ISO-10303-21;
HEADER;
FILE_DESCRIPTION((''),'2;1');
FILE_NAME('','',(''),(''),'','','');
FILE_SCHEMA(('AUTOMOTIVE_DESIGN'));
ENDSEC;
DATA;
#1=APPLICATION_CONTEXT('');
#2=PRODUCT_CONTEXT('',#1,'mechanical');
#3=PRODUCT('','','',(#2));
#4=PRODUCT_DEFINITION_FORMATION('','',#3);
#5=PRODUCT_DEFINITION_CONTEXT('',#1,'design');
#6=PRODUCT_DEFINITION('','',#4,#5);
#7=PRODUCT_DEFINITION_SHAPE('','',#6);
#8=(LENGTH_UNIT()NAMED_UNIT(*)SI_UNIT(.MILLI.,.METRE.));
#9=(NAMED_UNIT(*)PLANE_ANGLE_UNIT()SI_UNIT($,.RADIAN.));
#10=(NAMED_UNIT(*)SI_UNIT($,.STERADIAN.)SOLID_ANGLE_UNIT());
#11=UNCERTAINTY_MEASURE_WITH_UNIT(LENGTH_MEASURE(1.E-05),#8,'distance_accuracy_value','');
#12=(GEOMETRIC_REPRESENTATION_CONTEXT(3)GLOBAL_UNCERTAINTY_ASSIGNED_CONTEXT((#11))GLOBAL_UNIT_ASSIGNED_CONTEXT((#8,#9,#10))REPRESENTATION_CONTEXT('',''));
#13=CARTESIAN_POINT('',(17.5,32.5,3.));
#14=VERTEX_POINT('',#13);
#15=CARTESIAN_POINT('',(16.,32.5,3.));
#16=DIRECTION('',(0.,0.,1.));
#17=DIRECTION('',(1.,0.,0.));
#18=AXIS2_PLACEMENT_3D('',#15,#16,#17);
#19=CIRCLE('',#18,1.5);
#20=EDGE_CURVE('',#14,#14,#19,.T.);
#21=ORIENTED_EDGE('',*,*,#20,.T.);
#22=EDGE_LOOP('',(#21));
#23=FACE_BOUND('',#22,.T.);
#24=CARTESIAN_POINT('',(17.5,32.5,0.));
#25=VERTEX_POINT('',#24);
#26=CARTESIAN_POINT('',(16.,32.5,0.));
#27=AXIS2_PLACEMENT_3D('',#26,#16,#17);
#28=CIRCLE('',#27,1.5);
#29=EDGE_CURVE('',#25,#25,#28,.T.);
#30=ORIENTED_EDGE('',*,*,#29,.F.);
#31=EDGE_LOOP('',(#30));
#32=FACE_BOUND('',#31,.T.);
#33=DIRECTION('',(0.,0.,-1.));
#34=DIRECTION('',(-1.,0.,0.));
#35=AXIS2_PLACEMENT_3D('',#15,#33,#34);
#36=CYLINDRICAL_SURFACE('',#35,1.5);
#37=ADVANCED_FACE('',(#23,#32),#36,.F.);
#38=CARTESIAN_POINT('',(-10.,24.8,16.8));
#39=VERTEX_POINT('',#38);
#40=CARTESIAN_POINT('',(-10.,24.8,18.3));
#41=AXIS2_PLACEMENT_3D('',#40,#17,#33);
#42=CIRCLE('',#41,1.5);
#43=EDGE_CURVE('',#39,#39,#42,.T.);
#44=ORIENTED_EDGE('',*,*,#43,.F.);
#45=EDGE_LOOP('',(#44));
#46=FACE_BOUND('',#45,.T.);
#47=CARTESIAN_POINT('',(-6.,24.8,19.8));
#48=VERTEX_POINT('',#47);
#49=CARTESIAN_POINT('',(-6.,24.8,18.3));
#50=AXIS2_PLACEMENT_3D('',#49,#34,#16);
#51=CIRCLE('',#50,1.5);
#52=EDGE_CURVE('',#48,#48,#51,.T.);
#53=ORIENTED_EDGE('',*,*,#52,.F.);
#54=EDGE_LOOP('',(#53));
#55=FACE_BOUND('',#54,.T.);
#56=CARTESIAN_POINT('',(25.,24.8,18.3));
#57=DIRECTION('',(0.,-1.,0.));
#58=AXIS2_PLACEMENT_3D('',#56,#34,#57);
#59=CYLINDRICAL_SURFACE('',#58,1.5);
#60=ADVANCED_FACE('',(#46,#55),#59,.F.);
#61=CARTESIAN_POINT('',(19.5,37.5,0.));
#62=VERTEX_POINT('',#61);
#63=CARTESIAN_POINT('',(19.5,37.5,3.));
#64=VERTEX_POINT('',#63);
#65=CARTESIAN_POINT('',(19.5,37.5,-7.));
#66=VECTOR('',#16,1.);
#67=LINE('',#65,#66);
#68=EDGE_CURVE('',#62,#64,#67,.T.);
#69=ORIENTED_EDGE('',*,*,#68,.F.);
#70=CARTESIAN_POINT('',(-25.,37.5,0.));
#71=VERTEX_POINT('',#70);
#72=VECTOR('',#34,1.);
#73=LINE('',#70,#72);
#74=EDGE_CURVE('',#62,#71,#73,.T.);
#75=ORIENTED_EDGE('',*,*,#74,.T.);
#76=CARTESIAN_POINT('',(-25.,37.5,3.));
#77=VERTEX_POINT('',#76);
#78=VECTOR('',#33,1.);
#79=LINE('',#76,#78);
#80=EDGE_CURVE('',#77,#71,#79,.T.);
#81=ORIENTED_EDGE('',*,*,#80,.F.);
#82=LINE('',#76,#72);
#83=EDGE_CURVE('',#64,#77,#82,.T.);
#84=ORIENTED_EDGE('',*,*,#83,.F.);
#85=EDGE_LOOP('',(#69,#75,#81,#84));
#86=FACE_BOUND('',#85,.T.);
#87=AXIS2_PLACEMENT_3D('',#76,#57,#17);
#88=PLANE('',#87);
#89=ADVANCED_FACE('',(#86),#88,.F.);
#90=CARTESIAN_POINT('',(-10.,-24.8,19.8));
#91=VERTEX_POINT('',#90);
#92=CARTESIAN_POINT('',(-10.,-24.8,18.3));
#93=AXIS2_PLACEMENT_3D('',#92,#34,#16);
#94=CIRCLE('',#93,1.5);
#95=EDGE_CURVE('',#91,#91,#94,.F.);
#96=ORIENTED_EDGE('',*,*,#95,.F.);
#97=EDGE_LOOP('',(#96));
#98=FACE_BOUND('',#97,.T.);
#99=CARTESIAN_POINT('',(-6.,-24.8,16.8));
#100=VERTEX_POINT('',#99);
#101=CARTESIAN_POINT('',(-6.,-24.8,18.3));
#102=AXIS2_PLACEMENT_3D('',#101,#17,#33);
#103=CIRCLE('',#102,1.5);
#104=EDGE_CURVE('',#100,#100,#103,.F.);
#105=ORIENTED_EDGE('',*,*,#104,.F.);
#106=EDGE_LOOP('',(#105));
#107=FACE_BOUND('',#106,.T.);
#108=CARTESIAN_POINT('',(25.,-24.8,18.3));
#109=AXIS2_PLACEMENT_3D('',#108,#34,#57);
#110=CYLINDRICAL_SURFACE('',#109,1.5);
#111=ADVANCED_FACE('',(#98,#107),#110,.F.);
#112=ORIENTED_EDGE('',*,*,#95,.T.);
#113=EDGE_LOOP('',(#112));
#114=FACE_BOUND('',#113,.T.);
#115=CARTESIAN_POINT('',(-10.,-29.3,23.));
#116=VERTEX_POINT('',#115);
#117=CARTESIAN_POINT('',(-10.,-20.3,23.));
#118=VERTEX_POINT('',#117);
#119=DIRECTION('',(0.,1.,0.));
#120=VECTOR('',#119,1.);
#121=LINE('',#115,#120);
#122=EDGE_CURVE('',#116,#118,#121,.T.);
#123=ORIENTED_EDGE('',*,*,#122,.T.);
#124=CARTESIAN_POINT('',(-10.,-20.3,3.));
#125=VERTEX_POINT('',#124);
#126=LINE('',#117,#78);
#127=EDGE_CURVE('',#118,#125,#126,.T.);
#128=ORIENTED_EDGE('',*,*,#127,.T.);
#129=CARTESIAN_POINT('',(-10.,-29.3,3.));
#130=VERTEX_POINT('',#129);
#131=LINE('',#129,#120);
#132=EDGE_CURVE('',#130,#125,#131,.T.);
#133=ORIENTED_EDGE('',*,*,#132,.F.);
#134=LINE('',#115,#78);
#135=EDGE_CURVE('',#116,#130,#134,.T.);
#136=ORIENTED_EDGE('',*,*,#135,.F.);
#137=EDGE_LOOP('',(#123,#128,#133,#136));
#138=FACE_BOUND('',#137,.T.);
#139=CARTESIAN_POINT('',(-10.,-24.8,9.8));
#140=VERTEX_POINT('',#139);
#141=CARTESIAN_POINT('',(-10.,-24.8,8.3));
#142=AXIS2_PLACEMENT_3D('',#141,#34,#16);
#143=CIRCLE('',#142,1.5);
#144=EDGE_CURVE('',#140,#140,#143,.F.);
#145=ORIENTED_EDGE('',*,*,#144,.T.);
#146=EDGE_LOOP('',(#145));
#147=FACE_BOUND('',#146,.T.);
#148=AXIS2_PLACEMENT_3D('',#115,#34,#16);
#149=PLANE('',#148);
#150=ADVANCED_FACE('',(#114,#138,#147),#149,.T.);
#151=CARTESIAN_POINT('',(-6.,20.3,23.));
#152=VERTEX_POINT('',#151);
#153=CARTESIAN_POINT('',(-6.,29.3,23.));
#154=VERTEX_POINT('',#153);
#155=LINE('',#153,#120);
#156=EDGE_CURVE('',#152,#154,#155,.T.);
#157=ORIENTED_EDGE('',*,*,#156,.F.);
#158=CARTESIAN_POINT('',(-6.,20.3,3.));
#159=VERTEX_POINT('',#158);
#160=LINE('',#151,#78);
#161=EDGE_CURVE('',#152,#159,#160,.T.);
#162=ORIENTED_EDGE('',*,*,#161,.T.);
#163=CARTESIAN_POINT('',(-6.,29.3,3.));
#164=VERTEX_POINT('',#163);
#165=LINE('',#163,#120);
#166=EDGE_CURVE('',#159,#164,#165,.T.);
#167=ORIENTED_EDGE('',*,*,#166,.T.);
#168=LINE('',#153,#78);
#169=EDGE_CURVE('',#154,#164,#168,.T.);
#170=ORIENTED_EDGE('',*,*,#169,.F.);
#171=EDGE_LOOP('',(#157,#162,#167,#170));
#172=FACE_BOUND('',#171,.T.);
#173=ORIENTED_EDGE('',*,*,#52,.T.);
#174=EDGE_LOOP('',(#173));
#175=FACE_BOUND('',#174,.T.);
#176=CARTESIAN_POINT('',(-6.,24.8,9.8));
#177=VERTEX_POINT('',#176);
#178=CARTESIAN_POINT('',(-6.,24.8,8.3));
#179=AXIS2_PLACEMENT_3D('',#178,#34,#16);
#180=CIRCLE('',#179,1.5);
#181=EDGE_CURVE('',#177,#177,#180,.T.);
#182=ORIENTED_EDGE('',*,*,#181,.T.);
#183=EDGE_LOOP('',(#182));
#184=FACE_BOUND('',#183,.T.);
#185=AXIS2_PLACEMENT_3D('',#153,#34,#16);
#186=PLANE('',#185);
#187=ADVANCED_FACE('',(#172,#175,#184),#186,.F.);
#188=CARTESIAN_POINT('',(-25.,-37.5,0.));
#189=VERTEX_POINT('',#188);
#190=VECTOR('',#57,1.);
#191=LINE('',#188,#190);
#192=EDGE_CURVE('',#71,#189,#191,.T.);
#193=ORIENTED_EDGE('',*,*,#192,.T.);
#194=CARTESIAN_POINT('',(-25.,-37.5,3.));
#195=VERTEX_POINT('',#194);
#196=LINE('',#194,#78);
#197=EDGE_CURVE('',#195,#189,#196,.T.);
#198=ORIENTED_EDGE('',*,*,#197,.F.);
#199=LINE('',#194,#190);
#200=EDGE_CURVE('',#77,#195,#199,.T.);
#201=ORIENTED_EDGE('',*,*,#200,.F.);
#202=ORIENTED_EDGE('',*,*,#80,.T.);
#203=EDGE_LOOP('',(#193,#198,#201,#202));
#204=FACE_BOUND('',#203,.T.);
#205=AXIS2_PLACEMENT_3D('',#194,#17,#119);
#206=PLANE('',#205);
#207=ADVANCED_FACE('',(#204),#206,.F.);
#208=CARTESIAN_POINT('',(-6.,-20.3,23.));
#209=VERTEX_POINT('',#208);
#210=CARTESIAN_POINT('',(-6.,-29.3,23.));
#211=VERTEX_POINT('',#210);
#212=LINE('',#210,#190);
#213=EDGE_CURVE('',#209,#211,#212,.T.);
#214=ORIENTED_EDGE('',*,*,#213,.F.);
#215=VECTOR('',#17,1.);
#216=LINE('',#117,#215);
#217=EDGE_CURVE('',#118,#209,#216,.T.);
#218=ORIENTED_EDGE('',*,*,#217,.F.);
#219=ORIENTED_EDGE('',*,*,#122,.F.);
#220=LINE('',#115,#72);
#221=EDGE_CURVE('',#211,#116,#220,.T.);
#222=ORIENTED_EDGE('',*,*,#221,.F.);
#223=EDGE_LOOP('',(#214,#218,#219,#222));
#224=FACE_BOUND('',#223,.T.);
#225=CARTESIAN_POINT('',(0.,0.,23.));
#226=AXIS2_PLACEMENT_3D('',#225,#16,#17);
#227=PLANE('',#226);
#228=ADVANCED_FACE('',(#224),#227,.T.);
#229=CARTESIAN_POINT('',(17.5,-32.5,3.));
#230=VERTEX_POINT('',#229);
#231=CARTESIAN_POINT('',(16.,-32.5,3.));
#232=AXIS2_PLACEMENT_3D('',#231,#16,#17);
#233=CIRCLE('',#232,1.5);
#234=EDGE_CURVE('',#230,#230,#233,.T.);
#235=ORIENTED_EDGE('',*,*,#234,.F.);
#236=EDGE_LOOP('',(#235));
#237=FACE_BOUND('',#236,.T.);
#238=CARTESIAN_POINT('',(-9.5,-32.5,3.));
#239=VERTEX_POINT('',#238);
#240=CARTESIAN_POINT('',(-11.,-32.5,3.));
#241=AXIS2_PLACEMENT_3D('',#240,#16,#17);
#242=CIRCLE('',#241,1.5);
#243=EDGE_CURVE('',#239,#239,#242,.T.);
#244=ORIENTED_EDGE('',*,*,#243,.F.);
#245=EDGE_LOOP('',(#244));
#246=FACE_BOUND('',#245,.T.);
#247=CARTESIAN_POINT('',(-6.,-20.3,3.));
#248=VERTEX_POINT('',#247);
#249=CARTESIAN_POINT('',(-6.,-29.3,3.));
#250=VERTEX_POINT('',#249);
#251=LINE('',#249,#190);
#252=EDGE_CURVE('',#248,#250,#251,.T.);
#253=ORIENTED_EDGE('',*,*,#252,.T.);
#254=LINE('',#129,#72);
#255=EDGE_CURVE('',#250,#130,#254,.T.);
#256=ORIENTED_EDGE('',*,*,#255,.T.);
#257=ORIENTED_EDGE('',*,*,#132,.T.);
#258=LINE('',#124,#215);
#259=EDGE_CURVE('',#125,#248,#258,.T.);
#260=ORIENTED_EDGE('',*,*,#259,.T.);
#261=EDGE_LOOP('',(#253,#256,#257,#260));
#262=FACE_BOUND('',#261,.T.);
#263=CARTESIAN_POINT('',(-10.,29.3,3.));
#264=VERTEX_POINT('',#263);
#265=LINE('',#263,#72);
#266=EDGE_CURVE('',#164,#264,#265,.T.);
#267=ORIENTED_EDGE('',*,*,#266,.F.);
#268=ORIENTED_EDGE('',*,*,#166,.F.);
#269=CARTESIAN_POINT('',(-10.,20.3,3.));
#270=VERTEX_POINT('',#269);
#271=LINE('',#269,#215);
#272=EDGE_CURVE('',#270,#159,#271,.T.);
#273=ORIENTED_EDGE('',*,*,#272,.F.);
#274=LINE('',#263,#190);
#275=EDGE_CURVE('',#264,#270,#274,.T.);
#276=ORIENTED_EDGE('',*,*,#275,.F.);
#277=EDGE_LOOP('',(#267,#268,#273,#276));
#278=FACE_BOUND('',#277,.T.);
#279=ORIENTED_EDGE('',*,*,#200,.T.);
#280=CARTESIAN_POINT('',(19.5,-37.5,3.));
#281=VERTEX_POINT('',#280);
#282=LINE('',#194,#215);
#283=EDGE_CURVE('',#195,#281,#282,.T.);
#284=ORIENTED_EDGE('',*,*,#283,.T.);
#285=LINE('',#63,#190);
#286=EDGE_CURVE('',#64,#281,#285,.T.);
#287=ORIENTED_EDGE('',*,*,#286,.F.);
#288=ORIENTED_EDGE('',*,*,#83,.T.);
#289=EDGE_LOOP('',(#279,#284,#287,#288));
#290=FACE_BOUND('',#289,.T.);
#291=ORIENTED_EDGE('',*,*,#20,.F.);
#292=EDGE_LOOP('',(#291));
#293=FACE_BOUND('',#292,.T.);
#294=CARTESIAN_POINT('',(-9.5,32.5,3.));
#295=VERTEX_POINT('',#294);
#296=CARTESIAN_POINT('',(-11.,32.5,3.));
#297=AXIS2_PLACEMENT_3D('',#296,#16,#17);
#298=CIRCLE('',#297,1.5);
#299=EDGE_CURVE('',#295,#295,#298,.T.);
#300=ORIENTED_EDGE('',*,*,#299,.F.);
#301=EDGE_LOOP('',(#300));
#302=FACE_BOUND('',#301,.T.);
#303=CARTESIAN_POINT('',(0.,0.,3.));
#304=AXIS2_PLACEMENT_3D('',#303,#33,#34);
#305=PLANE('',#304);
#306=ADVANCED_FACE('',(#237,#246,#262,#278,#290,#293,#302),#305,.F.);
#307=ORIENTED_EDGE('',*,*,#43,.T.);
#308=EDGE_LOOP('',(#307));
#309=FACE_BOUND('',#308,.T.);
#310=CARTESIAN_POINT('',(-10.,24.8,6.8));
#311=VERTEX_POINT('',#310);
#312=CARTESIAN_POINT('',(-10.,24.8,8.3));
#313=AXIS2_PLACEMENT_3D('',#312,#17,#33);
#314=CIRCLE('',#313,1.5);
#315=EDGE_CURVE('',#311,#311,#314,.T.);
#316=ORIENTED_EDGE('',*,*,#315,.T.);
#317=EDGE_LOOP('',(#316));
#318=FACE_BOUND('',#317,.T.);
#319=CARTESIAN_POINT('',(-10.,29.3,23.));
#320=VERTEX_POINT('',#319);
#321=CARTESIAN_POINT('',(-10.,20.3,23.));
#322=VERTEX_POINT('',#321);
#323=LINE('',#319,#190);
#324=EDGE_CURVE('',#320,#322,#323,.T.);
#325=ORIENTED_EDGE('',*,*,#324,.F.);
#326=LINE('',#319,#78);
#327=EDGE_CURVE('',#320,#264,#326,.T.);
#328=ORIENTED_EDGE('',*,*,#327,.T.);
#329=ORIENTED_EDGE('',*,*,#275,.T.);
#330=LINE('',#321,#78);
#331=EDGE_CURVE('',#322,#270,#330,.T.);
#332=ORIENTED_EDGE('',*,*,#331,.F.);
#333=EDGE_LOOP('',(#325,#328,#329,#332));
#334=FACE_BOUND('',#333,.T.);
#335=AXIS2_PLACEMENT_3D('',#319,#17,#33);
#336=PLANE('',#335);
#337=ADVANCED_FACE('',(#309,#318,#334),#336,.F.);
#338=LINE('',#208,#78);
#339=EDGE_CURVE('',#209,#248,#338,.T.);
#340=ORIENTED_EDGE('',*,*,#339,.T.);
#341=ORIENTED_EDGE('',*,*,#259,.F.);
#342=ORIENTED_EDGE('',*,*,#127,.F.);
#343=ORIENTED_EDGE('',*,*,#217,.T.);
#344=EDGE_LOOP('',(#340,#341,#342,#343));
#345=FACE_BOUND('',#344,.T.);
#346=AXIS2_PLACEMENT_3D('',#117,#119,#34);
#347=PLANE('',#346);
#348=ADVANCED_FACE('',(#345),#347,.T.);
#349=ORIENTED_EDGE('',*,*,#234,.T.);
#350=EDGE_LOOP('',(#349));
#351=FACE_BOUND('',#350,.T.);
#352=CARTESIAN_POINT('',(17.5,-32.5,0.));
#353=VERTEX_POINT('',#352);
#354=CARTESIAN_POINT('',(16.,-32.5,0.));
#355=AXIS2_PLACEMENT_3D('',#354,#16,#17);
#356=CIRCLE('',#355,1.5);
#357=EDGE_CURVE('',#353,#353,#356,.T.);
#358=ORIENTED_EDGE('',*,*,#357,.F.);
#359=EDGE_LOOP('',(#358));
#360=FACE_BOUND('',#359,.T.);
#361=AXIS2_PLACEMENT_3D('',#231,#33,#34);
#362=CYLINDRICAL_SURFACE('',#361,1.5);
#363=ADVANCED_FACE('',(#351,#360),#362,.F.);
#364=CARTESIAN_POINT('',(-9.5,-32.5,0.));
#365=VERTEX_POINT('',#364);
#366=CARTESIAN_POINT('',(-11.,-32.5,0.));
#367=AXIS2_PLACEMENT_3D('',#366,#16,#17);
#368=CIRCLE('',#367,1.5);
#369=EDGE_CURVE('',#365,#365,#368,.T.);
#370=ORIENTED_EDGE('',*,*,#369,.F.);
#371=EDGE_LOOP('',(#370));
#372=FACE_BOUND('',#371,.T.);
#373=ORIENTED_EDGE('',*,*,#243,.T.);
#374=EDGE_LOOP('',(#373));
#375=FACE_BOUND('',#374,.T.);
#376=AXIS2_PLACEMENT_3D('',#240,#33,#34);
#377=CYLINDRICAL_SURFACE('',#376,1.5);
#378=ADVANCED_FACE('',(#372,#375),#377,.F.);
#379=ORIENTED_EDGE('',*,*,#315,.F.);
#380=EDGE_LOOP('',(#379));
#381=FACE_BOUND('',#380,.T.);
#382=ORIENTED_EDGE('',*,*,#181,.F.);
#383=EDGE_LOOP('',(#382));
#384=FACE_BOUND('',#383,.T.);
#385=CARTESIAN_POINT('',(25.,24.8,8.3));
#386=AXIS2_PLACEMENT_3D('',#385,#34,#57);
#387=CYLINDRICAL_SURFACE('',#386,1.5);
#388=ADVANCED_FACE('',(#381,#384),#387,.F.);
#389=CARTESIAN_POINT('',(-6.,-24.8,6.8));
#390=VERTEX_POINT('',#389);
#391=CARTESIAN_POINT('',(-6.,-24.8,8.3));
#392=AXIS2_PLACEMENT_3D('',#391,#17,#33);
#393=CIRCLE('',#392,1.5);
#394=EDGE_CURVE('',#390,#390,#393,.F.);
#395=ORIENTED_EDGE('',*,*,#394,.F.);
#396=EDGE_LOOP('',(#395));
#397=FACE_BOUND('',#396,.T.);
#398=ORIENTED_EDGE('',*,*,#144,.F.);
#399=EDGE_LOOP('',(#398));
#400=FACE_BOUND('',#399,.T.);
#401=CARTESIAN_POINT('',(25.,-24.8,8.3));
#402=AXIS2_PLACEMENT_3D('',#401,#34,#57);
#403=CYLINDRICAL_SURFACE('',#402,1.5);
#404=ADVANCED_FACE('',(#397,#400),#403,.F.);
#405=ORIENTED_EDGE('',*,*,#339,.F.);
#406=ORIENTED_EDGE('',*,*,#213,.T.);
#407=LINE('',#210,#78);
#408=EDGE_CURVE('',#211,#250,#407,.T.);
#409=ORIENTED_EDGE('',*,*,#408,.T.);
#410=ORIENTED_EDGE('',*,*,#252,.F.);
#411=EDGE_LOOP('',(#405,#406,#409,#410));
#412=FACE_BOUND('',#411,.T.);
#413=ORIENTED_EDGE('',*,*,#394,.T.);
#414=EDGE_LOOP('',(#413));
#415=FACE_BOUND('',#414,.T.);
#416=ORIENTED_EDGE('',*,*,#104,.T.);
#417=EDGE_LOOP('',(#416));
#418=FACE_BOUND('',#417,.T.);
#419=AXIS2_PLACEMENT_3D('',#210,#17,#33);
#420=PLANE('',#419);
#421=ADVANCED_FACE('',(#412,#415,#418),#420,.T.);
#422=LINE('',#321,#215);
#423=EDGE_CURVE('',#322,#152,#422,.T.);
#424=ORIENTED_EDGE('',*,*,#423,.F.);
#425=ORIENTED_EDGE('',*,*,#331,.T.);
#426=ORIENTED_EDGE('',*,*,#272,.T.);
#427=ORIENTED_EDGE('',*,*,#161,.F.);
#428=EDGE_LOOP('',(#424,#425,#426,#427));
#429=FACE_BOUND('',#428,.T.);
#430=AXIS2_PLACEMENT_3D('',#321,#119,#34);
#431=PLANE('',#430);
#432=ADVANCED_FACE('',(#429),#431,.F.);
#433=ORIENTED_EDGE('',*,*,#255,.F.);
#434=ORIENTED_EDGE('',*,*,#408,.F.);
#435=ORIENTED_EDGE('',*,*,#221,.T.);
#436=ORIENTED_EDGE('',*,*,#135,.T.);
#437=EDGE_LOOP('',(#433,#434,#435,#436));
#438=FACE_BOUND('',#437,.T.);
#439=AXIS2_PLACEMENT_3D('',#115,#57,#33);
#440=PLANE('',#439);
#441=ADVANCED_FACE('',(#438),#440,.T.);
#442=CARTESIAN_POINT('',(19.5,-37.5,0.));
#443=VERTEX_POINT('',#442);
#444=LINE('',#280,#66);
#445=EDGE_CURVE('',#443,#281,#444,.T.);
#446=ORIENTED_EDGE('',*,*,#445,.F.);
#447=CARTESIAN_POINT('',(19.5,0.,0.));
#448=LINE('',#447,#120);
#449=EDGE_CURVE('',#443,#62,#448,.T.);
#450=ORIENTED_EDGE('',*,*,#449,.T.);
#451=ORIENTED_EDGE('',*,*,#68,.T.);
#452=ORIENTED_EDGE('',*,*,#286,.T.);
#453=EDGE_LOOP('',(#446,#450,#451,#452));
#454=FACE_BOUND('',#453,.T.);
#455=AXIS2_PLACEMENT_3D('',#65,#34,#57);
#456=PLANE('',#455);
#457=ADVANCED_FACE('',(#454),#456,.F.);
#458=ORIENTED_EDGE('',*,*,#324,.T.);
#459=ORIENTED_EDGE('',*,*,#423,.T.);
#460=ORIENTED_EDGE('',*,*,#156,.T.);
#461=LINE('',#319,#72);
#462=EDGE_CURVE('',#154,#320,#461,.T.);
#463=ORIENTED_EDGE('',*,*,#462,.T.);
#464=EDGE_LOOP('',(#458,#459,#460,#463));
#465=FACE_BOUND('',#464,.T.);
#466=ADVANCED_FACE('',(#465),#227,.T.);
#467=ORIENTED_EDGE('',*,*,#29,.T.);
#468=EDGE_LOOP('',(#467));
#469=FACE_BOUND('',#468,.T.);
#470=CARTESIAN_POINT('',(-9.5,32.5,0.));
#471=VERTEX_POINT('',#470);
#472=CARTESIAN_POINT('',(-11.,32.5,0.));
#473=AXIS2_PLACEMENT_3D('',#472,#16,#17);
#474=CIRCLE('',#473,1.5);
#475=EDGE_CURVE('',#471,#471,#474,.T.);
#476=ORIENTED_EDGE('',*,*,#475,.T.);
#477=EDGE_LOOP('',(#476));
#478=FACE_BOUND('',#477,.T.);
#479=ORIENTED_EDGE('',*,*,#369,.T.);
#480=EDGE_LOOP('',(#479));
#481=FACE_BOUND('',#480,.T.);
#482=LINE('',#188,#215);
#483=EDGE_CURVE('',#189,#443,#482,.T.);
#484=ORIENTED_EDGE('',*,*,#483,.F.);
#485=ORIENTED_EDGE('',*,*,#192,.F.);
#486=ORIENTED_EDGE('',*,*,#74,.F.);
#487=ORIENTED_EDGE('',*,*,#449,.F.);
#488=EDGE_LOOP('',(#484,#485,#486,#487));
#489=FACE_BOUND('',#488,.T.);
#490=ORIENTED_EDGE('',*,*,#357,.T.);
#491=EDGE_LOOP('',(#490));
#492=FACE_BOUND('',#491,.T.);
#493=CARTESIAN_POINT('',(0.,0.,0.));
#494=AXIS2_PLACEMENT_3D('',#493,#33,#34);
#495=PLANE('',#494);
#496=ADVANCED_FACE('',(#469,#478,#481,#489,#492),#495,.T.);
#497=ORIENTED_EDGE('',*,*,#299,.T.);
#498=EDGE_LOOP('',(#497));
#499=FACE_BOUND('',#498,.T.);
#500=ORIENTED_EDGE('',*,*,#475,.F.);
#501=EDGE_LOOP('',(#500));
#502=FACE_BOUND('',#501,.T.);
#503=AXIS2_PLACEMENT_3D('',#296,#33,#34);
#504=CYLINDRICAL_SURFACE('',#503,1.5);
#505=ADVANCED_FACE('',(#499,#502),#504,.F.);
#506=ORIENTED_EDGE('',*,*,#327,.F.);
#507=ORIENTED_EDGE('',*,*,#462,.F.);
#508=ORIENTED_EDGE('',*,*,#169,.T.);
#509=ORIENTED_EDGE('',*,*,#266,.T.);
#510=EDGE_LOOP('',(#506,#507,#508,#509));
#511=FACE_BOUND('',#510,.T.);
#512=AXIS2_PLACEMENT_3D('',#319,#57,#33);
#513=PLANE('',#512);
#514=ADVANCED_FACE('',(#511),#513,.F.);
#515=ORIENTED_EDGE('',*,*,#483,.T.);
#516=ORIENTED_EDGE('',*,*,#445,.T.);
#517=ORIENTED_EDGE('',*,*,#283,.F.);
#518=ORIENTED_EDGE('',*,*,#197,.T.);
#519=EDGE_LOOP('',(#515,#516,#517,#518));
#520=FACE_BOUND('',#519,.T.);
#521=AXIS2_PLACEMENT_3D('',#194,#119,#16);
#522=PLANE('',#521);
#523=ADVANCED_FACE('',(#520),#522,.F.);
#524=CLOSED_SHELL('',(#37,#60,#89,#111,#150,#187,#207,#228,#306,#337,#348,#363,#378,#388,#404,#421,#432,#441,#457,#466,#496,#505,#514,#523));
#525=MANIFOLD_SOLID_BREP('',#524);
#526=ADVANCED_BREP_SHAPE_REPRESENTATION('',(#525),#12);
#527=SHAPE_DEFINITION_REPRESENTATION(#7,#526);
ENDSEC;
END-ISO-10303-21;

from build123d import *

# Parameters (mm, degrees)
SKETCH1_W           = 50
SKETCH1_H           = 75
SKETCH1_R           = 1.5
BOSS_EXTRUDE1_DEPTH = 3
SKETCH2_W           = 4
SKETCH2_H           = 9
BOSS_EXTRUDE2_DEPTH = 20
SKETCH3_R           = 1.5
CUT_EXTRUDE2_DEPTH  = 57.216100896
SKETCH4_W           = 5.5
SKETCH4_H           = 75
CUT_EXTRUDE3_DEPTH  = 10


with BuildPart() as part:
    # Sketch1 → Boss-Extrude1 (new body)
    with BuildSketch(Plane.XY):
        Rectangle(SKETCH1_W, SKETCH1_H)
        with Locations((-11, 32.5)):
            Circle(SKETCH1_R, mode=Mode.SUBTRACT)
        with Locations((16, 32.5)):
            Circle(SKETCH1_R, mode=Mode.SUBTRACT)
        with Locations((16, -32.5)):
            Circle(SKETCH1_R, mode=Mode.SUBTRACT)
        with Locations((-11, -32.5)):
            Circle(SKETCH1_R, mode=Mode.SUBTRACT)
    extrude(amount=BOSS_EXTRUDE1_DEPTH)

    # Sketch2 → Boss-Extrude2 (add)
    with BuildSketch(Plane.XY.offset(3)):
        with Locations((-8, 24.8)):
            Rectangle(SKETCH2_W, SKETCH2_H)
    boss_extrude2 = extrude(amount=BOSS_EXTRUDE2_DEPTH)

    # Sketch3 → Cut-Extrude2 (cut, symmetric)
    with BuildSketch(Plane.ZY.offset(10)):
        with Locations((18.3, 24.8)):
            Circle(SKETCH3_R)
        with Locations((8.3, 24.8)):
            Circle(SKETCH3_R)
    cut_extrude2 = extrude(amount=CUT_EXTRUDE2_DEPTH, both=True, mode=Mode.SUBTRACT)

    # Mirror3: Boss-Extrude2, Cut-Extrude2 across plane
    add(boss_extrude2.mirror(Plane.ZX))
    add(cut_extrude2.mirror(Plane.ZX), mode=Mode.SUBTRACT)

    # Sketch4 → Cut-Extrude3 (cut)
    with BuildSketch(Plane.XY.offset(3)):
        with Locations((22.25, 0)):
            Rectangle(SKETCH4_W, SKETCH4_H)
    extrude(amount=-CUT_EXTRUDE3_DEPTH, mode=Mode.SUBTRACT)


solid = part.part
